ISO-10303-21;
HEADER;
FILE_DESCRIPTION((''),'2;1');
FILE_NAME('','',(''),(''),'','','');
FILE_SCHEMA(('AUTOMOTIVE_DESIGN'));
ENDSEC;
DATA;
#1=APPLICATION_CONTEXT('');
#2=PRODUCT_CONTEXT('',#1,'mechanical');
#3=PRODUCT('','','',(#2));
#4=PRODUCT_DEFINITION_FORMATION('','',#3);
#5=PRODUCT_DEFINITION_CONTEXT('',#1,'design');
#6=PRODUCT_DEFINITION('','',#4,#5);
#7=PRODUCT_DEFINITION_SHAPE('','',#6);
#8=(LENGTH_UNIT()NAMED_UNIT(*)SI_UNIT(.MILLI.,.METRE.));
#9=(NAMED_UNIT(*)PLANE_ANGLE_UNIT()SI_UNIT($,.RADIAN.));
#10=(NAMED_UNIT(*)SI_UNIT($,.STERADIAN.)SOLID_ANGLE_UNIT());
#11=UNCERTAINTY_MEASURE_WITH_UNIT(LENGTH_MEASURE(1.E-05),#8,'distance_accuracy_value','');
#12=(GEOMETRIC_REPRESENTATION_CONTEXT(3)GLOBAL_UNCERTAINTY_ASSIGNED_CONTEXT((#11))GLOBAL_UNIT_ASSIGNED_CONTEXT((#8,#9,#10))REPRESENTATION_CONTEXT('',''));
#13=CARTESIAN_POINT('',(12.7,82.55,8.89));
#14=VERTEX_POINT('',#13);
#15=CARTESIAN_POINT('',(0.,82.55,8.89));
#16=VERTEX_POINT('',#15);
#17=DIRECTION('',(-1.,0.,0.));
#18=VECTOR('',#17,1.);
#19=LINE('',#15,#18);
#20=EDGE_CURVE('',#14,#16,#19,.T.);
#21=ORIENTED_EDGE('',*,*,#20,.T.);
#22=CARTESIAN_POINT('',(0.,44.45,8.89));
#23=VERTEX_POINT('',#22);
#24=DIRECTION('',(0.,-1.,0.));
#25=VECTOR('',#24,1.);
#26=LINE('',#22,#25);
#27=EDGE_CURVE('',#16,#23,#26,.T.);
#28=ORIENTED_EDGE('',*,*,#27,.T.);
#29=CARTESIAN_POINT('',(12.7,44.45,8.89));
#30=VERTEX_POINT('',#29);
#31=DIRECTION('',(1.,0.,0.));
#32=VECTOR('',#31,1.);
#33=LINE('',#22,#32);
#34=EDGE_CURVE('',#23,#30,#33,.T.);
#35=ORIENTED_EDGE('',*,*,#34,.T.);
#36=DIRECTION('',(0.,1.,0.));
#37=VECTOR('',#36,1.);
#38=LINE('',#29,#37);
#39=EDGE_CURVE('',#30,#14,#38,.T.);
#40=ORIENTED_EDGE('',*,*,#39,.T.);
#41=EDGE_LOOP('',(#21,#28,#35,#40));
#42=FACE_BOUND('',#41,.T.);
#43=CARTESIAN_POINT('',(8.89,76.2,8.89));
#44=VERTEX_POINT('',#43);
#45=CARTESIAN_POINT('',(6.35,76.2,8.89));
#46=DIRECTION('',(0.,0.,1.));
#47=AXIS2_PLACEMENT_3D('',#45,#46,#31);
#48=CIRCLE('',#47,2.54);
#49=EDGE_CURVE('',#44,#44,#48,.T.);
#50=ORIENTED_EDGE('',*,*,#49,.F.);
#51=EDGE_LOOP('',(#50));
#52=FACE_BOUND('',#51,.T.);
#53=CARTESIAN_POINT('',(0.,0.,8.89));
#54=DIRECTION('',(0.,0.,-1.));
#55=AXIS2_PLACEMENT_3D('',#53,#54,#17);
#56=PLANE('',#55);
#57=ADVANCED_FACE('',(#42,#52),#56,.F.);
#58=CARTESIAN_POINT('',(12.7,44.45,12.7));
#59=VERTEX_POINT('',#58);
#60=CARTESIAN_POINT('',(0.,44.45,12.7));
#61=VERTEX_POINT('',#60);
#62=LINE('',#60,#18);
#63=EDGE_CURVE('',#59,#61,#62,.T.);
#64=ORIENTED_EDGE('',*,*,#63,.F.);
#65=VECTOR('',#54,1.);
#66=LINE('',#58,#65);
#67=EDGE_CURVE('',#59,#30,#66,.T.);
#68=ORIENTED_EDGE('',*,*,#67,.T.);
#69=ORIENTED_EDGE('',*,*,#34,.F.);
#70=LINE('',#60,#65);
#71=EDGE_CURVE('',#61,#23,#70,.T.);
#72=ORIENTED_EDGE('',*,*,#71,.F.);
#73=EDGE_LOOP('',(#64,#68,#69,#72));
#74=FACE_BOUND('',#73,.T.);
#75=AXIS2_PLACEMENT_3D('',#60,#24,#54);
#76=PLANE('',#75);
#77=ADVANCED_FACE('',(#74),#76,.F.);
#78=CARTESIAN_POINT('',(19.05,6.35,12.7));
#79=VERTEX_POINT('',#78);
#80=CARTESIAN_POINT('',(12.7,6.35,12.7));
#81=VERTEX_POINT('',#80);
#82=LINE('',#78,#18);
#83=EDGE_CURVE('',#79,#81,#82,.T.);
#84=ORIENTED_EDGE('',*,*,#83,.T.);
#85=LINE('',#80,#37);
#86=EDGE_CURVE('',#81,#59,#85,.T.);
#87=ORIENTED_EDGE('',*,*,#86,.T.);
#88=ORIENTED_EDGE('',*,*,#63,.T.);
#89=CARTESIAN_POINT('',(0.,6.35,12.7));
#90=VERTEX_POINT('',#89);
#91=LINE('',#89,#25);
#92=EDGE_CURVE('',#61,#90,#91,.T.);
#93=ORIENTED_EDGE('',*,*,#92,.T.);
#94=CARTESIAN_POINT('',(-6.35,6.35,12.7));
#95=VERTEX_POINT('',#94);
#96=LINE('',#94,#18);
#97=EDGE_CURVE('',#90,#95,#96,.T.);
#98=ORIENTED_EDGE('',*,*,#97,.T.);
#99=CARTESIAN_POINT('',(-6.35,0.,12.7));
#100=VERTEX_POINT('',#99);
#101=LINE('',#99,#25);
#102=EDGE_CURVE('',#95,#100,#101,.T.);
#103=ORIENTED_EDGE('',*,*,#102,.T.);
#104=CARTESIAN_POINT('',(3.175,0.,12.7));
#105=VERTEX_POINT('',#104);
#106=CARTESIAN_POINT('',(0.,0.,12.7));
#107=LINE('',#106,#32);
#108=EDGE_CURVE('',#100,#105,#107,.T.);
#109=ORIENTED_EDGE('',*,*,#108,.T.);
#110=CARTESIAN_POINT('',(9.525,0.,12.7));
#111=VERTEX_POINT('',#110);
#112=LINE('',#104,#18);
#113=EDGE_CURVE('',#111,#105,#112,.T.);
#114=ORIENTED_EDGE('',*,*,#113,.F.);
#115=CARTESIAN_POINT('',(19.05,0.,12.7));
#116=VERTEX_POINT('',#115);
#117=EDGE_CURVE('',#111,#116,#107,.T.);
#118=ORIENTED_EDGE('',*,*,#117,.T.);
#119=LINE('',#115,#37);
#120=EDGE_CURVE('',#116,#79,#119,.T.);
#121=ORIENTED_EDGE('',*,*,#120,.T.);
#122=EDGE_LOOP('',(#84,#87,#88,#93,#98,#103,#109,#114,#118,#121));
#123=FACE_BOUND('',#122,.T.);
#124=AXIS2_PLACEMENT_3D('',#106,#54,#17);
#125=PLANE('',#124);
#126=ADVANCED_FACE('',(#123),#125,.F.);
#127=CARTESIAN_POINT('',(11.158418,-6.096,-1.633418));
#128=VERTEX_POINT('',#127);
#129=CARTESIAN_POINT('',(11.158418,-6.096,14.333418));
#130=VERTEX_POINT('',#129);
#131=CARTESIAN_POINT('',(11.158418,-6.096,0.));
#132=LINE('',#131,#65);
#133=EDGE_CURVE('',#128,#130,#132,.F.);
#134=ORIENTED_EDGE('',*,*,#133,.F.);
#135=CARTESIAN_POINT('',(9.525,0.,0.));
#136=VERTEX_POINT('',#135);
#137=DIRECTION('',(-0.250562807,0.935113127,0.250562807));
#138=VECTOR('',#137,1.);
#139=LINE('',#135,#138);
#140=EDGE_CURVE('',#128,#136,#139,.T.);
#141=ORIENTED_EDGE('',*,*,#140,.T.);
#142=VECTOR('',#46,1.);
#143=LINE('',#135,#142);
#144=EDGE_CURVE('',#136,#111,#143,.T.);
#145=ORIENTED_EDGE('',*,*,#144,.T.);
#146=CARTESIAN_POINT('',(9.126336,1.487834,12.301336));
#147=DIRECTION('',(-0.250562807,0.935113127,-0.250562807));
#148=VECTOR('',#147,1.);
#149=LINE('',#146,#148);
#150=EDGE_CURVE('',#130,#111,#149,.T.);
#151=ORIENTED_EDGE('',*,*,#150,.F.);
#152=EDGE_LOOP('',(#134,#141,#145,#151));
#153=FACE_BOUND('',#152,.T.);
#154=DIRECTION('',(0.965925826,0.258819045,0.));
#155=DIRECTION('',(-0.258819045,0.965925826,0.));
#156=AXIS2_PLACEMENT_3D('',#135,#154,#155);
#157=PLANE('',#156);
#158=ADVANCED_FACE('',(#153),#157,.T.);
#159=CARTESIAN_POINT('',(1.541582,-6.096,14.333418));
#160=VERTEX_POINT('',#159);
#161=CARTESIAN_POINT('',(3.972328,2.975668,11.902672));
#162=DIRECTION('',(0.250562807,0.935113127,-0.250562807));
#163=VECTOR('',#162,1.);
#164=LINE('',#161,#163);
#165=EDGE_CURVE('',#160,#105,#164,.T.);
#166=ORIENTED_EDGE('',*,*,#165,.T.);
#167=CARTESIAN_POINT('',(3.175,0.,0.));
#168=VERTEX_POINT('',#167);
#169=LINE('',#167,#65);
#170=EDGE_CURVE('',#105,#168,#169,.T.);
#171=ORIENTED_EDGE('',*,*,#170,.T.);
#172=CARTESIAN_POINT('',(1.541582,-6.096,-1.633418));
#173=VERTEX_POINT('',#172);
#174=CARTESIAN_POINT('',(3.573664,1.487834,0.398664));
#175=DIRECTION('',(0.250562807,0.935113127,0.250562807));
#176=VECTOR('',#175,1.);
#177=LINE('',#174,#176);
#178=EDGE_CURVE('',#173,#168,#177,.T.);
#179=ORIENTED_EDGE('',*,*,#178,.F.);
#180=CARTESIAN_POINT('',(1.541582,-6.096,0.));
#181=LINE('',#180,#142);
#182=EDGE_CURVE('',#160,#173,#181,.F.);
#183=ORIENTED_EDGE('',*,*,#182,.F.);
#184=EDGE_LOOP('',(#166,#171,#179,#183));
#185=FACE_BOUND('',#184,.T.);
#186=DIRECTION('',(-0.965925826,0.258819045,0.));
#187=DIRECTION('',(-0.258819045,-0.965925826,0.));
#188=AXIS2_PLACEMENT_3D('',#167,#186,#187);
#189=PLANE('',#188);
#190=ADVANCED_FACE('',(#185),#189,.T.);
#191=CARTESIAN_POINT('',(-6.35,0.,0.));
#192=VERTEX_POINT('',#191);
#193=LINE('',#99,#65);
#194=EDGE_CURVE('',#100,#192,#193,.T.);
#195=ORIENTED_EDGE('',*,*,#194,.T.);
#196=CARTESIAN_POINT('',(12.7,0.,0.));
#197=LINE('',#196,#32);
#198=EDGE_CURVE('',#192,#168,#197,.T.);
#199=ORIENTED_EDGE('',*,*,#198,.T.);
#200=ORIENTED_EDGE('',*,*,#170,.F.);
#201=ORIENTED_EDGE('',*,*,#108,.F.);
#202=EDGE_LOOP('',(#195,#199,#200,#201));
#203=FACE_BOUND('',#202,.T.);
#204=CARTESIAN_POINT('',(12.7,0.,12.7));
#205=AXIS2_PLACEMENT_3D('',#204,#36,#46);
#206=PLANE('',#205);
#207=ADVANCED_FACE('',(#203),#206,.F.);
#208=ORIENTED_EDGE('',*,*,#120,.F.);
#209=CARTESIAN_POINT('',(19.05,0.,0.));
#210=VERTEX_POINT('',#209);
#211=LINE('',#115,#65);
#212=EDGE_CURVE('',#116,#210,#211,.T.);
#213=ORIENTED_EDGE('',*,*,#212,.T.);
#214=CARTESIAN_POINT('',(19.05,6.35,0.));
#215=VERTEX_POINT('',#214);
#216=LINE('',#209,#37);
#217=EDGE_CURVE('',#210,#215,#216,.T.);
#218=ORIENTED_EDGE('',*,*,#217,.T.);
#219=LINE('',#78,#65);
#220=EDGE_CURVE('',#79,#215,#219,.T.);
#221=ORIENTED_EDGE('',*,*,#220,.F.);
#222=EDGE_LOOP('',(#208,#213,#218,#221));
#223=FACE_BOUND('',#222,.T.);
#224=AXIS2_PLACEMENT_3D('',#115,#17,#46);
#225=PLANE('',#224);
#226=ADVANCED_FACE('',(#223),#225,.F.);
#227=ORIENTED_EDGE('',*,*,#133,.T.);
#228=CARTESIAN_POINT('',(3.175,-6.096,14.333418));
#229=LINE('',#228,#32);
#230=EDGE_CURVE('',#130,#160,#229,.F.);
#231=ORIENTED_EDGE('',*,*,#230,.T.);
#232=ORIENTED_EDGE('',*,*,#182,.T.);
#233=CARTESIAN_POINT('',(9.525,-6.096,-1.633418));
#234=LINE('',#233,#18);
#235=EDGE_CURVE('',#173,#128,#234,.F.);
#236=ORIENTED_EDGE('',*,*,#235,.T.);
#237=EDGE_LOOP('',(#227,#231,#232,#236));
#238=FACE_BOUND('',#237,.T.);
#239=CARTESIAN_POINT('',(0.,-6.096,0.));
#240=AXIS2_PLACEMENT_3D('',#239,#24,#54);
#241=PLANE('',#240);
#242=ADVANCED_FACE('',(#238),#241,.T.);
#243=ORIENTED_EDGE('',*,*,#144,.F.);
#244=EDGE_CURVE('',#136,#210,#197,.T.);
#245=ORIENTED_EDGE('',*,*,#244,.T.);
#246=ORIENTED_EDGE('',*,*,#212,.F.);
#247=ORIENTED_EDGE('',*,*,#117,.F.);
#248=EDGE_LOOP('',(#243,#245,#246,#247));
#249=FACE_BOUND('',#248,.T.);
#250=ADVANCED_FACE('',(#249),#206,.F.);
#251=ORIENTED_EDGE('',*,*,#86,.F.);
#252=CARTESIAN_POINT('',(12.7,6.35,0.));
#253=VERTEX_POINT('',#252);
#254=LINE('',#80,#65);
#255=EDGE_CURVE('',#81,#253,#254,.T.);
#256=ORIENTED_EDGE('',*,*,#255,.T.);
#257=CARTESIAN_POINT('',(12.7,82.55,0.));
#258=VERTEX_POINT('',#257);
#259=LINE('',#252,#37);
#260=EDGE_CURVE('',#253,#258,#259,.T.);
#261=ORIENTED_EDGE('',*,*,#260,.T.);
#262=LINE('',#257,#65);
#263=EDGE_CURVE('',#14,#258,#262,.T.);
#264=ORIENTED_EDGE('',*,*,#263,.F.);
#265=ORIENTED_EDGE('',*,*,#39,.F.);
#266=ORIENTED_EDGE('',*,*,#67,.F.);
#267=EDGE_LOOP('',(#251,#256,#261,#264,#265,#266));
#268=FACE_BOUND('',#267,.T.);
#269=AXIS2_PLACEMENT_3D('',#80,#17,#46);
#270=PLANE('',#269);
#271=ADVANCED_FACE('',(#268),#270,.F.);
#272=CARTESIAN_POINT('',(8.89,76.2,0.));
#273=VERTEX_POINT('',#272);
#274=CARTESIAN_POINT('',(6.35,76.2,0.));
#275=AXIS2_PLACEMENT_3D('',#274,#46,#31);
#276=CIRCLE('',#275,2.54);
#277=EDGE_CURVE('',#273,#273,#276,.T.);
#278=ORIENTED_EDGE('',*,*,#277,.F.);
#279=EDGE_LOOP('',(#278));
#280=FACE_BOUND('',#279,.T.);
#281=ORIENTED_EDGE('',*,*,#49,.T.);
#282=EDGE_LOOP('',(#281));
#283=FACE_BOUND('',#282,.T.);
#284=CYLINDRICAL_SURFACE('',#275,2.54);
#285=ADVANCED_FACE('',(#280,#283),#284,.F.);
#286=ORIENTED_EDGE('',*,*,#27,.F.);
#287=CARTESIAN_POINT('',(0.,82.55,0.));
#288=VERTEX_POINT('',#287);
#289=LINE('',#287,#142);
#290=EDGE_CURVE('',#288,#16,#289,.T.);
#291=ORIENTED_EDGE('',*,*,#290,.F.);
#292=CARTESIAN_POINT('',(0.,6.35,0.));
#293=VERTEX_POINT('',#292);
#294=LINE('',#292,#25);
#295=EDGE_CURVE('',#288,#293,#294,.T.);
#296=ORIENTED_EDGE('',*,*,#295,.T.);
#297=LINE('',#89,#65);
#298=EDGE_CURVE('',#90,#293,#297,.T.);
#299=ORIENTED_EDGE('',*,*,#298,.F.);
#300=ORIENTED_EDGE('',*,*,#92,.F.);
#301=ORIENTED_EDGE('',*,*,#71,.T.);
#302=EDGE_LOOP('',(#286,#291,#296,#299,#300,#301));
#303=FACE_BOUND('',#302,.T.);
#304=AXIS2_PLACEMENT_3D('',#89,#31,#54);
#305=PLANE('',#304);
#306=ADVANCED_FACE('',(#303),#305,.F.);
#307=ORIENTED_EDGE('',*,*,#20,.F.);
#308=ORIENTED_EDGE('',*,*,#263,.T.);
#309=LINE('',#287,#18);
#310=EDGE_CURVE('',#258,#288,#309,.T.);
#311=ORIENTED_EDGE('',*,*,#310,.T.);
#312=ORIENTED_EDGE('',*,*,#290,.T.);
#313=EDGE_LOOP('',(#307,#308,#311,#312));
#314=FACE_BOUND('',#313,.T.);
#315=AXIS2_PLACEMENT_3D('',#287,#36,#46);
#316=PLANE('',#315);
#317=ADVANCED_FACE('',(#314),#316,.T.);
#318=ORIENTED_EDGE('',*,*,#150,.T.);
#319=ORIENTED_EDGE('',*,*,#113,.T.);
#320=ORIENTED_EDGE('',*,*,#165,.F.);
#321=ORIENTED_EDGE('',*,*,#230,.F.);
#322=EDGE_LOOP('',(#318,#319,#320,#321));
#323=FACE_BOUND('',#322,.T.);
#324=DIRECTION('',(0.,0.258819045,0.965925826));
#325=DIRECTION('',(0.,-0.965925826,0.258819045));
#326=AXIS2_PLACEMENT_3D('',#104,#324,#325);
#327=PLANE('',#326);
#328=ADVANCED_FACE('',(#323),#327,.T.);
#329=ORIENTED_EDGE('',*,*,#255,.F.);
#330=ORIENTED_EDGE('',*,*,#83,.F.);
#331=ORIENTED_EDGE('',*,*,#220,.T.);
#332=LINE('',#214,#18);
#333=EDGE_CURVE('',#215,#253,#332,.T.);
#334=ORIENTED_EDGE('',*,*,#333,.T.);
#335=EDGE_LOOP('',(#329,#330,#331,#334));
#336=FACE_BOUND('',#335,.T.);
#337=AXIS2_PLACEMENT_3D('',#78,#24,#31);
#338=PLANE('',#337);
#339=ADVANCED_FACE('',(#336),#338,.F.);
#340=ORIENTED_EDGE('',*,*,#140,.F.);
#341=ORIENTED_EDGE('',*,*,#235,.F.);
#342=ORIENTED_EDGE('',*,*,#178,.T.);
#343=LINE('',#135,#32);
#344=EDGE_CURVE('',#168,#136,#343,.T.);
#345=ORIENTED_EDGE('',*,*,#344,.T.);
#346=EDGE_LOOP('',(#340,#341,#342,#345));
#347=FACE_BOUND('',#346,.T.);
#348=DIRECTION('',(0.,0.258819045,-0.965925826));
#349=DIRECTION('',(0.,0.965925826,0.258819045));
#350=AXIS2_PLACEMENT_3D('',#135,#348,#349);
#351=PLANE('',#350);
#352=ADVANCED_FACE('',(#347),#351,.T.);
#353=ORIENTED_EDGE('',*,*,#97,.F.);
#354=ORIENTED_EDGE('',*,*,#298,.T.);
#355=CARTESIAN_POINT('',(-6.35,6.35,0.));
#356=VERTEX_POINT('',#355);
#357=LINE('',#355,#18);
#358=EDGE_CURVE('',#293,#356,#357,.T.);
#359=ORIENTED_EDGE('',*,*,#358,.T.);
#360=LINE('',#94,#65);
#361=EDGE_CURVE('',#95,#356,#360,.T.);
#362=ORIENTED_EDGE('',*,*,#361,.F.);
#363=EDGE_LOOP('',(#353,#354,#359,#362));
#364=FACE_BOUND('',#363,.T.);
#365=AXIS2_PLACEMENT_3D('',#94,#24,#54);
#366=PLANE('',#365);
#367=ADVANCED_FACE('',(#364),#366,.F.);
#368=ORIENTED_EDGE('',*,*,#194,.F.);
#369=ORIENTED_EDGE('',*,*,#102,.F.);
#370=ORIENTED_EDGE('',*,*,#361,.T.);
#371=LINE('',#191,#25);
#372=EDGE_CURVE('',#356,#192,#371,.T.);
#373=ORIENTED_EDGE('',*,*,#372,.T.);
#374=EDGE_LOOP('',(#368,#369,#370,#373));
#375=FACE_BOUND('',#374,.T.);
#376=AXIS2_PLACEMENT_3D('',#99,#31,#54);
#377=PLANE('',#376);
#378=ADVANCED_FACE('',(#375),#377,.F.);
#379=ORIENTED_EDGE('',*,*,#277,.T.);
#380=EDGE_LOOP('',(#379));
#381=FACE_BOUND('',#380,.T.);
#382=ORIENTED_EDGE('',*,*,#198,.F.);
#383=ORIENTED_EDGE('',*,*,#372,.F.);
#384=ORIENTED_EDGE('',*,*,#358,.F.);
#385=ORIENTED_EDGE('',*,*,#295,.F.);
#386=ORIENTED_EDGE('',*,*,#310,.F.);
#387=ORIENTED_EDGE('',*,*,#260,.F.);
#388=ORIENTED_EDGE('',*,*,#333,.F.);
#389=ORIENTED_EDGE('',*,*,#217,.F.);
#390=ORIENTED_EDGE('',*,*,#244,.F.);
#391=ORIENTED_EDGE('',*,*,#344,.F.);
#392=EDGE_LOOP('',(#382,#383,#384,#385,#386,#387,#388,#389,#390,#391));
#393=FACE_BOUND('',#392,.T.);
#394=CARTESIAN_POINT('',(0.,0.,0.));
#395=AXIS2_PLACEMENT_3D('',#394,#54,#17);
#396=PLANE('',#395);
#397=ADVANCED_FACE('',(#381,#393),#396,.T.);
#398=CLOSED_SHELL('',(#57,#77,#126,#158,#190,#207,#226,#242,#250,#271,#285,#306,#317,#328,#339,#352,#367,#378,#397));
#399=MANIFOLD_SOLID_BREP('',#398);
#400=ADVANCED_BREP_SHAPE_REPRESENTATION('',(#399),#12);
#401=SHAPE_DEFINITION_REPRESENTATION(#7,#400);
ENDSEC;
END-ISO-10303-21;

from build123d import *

# Parameters (mm, degrees)
BOSS_EXTRUDE2_DEPTH = 12.7
SKETCH2_W           = 12.7
SKETCH2_H           = 6.35
BOSS_EXTRUDE3_DEPTH = 38.1
SKETCH3_W           = 6.35
SKETCH3_H           = 12.7
BOSS_EXTRUDE5_DEPTH = 6.096
BOSS_EXTRUDE5_DRAFT = -15
SKETCH4_W           = 12.7
SKETCH4_H           = 38.1
BOSS_EXTRUDE6_DEPTH = 2.54
SKETCH5_R           = 2.54
CUT_EXTRUDE1_DEPTH  = 8.89


with BuildPart() as part:
    # Sketch1 → Boss-Extrude2 (new body)
    with BuildSketch(Plane.XY):
        Polygon((12.7, 0), (19.05, 0), (19.05, 6.35), (12.7, 6.35), (12.7, 44.45), (0, 44.45), (0, 6.35), (-6.35, 6.35), (-6.35, 0), (0, 0), align=None)
    extrude(amount=BOSS_EXTRUDE2_DEPTH)

    # Sketch2 → Boss-Extrude3 (add)
    with BuildSketch(Plane(origin=(0, 44.45, 0), x_dir=(1, 0, 0), z_dir=(0, 1, 0))):
        with Locations((6.35, -3.175)):
            Rectangle(SKETCH2_W, SKETCH2_H)
    extrude(amount=BOSS_EXTRUDE3_DEPTH)


with BuildPart() as boss_extrude5_tool:
    # Sketch3 → Boss-Extrude5 (with draft: the straight prism first)
    with BuildSketch(Plane.XZ):
        with Locations((6.35, 6.35)):
            Rectangle(SKETCH3_W, SKETCH3_H)
    extrude(amount=BOSS_EXTRUDE5_DEPTH)
    # Boss-Extrude5: the draft: its side faces are tilted about the plane it starts from
    boss_extrude5_sides = [boss_extrude5_tool.faces().sort_by_distance(p)[0] for p in [
        (6.35, -3.048, 0),
        (9.525, -3.048, 6.35),
        (6.35, -3.048, 12.7),
        (3.175, -3.048, 6.35),
    ]]
    draft(boss_extrude5_sides, Plane.XZ, BOSS_EXTRUDE5_DRAFT)


with BuildPart() as part_1:
    add(part.part)

    # Boss-Extrude5: add boss_extrude5_tool
    add(boss_extrude5_tool.part)

    # Sketch4 → Boss-Extrude6 (add)
    with BuildSketch(Plane.XY.offset(6.35)):
        with Locations((6.35, 63.5)):
            Rectangle(SKETCH4_W, SKETCH4_H)
    extrude(amount=BOSS_EXTRUDE6_DEPTH)

    # Sketch5 → Cut-Extrude1 (cut)
    with BuildSketch(Plane.XY.offset(8.89)):
        with Locations((6.35, 76.2)):
            Circle(SKETCH5_R)
    extrude(amount=-CUT_EXTRUDE1_DEPTH, mode=Mode.SUBTRACT)


solid = part_1.part
